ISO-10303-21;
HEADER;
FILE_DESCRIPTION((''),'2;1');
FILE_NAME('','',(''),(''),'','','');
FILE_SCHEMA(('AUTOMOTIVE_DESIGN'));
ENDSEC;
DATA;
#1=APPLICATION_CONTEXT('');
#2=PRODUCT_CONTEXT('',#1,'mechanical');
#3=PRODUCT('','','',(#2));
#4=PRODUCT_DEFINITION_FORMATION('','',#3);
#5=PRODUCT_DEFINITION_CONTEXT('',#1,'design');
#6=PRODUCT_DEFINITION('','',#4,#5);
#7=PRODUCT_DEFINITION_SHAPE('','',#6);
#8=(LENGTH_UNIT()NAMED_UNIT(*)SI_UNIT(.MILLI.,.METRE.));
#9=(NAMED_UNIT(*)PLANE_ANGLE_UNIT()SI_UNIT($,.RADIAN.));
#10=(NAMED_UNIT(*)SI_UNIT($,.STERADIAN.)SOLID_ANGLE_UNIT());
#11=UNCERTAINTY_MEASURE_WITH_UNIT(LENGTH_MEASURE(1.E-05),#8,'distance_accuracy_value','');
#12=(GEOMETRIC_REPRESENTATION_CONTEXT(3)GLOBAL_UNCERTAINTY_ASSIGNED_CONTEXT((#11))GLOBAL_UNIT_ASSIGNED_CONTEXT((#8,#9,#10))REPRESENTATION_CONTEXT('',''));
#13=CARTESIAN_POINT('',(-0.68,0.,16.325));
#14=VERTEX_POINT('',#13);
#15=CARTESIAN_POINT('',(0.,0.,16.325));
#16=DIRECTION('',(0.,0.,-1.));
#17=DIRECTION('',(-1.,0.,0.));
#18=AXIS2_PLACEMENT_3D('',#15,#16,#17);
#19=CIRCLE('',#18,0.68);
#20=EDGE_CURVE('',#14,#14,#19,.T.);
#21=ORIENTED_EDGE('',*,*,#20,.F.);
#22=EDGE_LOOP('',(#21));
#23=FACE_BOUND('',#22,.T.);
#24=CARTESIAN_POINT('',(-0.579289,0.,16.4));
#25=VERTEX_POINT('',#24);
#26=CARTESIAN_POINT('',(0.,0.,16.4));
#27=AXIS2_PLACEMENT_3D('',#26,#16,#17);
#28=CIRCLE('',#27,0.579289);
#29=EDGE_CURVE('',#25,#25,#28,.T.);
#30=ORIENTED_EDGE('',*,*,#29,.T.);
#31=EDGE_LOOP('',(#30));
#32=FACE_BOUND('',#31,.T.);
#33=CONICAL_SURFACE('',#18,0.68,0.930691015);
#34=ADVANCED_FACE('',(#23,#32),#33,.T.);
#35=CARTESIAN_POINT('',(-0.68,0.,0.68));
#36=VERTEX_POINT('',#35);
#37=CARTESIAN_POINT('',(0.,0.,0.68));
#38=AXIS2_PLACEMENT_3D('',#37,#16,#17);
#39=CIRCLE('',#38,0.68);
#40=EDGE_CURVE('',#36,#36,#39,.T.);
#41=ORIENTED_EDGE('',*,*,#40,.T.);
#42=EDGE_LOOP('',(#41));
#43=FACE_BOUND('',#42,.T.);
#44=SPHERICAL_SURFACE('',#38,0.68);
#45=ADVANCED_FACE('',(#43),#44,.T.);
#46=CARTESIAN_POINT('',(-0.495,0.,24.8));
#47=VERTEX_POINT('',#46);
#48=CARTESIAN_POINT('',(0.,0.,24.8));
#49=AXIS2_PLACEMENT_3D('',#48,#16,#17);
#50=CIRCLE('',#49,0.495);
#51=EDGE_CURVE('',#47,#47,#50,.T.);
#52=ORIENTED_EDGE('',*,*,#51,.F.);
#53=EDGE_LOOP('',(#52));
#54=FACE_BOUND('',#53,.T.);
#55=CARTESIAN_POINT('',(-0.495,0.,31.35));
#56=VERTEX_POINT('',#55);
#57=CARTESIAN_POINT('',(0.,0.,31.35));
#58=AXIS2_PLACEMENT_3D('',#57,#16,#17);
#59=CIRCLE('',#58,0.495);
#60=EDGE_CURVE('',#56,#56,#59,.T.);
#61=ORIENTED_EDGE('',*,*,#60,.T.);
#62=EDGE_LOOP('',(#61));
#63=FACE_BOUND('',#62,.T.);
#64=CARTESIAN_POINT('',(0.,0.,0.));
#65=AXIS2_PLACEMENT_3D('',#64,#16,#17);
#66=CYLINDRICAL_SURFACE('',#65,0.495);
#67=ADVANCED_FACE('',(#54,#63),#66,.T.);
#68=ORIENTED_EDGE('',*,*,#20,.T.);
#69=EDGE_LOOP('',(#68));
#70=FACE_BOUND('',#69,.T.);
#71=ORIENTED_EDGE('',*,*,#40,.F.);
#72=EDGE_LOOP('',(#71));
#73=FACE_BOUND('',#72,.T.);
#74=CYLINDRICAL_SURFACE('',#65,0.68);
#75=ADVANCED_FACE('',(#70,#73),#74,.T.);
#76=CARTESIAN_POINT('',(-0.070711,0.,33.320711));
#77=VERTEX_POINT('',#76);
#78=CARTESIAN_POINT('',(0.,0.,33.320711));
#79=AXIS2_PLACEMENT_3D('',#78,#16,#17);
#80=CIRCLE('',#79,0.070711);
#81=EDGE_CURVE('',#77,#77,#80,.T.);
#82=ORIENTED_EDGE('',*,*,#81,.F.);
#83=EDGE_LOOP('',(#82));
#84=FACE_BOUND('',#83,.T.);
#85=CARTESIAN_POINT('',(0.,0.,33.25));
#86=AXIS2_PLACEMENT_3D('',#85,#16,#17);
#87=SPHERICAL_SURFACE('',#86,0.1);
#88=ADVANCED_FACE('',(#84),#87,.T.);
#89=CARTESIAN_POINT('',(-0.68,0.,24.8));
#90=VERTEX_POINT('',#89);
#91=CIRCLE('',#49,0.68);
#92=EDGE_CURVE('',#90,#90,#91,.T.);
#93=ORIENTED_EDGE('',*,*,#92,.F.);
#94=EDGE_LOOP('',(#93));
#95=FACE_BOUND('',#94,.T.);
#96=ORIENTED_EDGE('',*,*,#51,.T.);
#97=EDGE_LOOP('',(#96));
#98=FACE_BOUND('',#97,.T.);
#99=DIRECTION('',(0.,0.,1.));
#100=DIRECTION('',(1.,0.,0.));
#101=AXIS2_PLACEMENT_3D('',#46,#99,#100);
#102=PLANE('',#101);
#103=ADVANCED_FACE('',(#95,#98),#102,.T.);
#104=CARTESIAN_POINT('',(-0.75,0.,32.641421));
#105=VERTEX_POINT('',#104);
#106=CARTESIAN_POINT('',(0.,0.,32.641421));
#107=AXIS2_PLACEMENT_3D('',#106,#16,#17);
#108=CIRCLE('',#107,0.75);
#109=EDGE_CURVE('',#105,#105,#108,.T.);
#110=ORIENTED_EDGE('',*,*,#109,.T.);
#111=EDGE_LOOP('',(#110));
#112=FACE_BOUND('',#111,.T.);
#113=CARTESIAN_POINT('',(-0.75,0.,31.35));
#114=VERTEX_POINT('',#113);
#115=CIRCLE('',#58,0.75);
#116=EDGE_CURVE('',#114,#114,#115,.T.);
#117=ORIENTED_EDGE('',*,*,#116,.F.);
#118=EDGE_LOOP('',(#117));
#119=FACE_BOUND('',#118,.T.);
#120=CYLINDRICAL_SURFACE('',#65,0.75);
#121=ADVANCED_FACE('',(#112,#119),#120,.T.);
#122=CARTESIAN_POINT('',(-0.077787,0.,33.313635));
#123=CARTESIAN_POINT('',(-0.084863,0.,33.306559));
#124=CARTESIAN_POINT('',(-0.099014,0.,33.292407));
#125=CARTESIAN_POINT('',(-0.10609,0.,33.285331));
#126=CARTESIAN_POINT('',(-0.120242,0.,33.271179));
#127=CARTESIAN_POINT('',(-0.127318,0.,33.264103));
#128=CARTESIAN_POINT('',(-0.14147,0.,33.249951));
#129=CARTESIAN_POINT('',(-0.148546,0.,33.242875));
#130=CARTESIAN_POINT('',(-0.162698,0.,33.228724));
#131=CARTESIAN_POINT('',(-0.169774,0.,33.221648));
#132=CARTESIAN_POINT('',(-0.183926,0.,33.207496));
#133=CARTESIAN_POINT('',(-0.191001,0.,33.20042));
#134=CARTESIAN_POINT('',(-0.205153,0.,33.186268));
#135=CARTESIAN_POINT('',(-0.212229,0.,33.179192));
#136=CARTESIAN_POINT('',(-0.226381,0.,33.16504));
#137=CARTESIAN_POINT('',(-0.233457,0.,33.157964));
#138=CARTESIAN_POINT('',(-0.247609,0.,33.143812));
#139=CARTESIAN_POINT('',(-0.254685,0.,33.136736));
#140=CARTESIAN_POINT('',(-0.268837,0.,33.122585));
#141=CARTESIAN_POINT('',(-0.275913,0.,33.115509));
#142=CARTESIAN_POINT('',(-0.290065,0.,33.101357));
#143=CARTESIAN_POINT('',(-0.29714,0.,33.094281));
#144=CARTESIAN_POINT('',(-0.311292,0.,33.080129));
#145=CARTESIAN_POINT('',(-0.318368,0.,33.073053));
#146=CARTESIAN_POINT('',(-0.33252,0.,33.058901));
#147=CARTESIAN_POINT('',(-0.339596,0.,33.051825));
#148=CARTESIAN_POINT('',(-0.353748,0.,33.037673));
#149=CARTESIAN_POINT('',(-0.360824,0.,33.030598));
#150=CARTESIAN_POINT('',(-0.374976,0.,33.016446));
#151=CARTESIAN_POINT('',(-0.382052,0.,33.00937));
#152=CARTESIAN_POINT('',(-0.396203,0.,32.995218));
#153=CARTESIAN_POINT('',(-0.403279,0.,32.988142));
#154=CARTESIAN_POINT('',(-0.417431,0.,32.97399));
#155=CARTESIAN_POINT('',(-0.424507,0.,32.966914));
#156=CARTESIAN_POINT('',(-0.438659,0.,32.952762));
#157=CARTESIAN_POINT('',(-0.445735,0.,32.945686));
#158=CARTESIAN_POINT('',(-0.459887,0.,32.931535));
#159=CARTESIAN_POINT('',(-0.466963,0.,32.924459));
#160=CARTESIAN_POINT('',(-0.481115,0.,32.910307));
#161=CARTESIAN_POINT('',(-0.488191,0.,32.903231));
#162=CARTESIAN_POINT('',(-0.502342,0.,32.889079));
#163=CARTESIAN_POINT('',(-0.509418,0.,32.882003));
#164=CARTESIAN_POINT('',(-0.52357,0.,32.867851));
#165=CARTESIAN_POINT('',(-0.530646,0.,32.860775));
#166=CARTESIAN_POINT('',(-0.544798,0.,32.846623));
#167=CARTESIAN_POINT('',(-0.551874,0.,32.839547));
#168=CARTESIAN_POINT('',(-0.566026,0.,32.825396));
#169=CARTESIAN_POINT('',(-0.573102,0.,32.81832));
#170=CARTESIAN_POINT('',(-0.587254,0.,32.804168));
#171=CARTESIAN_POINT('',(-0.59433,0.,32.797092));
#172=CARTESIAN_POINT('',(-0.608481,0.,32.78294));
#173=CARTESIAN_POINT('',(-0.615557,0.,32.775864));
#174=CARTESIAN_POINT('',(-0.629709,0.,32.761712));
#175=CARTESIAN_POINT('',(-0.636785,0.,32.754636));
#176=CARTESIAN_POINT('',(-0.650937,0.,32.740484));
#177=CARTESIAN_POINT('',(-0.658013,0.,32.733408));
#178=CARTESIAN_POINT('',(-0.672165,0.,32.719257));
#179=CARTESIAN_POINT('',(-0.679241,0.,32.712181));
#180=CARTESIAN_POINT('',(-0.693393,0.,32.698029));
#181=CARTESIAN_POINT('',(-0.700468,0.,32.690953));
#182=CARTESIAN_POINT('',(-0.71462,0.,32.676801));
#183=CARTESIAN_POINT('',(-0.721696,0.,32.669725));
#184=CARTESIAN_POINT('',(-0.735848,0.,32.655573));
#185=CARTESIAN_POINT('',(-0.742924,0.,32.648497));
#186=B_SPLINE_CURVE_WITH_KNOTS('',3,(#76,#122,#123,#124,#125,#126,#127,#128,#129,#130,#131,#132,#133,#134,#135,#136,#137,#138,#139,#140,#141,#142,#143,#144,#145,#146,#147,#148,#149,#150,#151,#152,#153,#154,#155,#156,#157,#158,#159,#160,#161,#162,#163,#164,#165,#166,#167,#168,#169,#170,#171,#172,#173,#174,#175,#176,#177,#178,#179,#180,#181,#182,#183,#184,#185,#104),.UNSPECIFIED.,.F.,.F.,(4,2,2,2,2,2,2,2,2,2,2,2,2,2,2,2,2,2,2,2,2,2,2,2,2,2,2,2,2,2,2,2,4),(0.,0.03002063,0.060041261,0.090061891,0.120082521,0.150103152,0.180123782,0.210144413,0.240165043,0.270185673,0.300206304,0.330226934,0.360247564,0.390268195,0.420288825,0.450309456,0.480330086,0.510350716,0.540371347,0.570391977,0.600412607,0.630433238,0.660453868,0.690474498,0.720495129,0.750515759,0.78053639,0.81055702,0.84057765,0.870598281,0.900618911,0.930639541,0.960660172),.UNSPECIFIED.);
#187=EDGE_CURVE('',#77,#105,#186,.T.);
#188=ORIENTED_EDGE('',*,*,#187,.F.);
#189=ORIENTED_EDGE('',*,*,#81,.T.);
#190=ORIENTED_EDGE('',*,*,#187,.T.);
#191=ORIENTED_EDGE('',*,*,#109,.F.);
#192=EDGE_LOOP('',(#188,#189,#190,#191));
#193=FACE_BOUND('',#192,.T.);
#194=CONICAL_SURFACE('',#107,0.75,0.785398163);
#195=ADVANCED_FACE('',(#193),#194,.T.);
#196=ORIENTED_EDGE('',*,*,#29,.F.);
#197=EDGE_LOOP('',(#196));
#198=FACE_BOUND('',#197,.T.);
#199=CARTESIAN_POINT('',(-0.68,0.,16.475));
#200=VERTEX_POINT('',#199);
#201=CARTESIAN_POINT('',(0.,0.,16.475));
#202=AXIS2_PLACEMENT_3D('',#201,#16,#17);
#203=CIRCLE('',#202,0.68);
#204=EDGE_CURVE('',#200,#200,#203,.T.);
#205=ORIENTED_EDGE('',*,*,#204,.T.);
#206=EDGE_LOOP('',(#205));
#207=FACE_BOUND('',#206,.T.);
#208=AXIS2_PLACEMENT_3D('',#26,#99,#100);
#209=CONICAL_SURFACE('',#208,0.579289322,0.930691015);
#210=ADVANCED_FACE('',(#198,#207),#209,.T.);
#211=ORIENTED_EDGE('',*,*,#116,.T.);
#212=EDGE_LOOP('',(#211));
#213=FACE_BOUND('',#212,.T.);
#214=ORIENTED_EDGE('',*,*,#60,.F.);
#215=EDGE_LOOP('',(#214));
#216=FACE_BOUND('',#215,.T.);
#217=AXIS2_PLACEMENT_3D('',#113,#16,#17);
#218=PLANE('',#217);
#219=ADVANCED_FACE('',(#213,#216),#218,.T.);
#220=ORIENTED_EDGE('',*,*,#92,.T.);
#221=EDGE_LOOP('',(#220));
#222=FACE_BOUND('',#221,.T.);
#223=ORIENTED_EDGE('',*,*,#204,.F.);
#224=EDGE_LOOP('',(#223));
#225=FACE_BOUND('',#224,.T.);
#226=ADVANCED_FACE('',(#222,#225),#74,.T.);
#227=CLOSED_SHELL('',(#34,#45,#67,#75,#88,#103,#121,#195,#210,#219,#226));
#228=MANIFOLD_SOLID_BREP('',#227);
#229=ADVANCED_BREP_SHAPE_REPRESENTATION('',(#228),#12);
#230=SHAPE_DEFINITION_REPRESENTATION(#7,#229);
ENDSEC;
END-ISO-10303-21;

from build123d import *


with BuildPart() as part:
    # Эскиз1 → Повернуть1 (revolve)
    with BuildSketch(Plane(origin=(0, 0, 0), x_dir=(1, 0, 0), z_dir=(0, 1, 0))):
        with BuildLine():
            Line((0, 0), (0, -33.35))
            ThreePointArc((0, -33.35), (-0.038268343, -33.342387953), (-0.070710678, -33.320710678))
            Line((-0.070710678, -33.320710678), (-0.75, -32.641421356))
            Line((-0.75, -32.641421356), (-0.75, -31.35))
            Line((-0.75, -31.35), (-0.495, -31.35))
            Line((-0.495, -31.35), (-0.495, -24.8))
            Line((-0.495, -24.8), (-0.68, -24.8))
            Line((-0.68, -24.8), (-0.68, -16.475))
            Line((-0.68, -16.475), (-0.579289322, -16.4))
            Line((-0.579289322, -16.4), (-0.68, -16.325))
            Line((-0.68, -16.325), (-0.68, -0.68))
            ThreePointArc((-0.68, -0.68), (-0.480832611, -0.199167389), (0, 0))
        make_face()
    revolve(axis=Axis((0, 0, 0), (0, 0, 1)))


solid = part.part
